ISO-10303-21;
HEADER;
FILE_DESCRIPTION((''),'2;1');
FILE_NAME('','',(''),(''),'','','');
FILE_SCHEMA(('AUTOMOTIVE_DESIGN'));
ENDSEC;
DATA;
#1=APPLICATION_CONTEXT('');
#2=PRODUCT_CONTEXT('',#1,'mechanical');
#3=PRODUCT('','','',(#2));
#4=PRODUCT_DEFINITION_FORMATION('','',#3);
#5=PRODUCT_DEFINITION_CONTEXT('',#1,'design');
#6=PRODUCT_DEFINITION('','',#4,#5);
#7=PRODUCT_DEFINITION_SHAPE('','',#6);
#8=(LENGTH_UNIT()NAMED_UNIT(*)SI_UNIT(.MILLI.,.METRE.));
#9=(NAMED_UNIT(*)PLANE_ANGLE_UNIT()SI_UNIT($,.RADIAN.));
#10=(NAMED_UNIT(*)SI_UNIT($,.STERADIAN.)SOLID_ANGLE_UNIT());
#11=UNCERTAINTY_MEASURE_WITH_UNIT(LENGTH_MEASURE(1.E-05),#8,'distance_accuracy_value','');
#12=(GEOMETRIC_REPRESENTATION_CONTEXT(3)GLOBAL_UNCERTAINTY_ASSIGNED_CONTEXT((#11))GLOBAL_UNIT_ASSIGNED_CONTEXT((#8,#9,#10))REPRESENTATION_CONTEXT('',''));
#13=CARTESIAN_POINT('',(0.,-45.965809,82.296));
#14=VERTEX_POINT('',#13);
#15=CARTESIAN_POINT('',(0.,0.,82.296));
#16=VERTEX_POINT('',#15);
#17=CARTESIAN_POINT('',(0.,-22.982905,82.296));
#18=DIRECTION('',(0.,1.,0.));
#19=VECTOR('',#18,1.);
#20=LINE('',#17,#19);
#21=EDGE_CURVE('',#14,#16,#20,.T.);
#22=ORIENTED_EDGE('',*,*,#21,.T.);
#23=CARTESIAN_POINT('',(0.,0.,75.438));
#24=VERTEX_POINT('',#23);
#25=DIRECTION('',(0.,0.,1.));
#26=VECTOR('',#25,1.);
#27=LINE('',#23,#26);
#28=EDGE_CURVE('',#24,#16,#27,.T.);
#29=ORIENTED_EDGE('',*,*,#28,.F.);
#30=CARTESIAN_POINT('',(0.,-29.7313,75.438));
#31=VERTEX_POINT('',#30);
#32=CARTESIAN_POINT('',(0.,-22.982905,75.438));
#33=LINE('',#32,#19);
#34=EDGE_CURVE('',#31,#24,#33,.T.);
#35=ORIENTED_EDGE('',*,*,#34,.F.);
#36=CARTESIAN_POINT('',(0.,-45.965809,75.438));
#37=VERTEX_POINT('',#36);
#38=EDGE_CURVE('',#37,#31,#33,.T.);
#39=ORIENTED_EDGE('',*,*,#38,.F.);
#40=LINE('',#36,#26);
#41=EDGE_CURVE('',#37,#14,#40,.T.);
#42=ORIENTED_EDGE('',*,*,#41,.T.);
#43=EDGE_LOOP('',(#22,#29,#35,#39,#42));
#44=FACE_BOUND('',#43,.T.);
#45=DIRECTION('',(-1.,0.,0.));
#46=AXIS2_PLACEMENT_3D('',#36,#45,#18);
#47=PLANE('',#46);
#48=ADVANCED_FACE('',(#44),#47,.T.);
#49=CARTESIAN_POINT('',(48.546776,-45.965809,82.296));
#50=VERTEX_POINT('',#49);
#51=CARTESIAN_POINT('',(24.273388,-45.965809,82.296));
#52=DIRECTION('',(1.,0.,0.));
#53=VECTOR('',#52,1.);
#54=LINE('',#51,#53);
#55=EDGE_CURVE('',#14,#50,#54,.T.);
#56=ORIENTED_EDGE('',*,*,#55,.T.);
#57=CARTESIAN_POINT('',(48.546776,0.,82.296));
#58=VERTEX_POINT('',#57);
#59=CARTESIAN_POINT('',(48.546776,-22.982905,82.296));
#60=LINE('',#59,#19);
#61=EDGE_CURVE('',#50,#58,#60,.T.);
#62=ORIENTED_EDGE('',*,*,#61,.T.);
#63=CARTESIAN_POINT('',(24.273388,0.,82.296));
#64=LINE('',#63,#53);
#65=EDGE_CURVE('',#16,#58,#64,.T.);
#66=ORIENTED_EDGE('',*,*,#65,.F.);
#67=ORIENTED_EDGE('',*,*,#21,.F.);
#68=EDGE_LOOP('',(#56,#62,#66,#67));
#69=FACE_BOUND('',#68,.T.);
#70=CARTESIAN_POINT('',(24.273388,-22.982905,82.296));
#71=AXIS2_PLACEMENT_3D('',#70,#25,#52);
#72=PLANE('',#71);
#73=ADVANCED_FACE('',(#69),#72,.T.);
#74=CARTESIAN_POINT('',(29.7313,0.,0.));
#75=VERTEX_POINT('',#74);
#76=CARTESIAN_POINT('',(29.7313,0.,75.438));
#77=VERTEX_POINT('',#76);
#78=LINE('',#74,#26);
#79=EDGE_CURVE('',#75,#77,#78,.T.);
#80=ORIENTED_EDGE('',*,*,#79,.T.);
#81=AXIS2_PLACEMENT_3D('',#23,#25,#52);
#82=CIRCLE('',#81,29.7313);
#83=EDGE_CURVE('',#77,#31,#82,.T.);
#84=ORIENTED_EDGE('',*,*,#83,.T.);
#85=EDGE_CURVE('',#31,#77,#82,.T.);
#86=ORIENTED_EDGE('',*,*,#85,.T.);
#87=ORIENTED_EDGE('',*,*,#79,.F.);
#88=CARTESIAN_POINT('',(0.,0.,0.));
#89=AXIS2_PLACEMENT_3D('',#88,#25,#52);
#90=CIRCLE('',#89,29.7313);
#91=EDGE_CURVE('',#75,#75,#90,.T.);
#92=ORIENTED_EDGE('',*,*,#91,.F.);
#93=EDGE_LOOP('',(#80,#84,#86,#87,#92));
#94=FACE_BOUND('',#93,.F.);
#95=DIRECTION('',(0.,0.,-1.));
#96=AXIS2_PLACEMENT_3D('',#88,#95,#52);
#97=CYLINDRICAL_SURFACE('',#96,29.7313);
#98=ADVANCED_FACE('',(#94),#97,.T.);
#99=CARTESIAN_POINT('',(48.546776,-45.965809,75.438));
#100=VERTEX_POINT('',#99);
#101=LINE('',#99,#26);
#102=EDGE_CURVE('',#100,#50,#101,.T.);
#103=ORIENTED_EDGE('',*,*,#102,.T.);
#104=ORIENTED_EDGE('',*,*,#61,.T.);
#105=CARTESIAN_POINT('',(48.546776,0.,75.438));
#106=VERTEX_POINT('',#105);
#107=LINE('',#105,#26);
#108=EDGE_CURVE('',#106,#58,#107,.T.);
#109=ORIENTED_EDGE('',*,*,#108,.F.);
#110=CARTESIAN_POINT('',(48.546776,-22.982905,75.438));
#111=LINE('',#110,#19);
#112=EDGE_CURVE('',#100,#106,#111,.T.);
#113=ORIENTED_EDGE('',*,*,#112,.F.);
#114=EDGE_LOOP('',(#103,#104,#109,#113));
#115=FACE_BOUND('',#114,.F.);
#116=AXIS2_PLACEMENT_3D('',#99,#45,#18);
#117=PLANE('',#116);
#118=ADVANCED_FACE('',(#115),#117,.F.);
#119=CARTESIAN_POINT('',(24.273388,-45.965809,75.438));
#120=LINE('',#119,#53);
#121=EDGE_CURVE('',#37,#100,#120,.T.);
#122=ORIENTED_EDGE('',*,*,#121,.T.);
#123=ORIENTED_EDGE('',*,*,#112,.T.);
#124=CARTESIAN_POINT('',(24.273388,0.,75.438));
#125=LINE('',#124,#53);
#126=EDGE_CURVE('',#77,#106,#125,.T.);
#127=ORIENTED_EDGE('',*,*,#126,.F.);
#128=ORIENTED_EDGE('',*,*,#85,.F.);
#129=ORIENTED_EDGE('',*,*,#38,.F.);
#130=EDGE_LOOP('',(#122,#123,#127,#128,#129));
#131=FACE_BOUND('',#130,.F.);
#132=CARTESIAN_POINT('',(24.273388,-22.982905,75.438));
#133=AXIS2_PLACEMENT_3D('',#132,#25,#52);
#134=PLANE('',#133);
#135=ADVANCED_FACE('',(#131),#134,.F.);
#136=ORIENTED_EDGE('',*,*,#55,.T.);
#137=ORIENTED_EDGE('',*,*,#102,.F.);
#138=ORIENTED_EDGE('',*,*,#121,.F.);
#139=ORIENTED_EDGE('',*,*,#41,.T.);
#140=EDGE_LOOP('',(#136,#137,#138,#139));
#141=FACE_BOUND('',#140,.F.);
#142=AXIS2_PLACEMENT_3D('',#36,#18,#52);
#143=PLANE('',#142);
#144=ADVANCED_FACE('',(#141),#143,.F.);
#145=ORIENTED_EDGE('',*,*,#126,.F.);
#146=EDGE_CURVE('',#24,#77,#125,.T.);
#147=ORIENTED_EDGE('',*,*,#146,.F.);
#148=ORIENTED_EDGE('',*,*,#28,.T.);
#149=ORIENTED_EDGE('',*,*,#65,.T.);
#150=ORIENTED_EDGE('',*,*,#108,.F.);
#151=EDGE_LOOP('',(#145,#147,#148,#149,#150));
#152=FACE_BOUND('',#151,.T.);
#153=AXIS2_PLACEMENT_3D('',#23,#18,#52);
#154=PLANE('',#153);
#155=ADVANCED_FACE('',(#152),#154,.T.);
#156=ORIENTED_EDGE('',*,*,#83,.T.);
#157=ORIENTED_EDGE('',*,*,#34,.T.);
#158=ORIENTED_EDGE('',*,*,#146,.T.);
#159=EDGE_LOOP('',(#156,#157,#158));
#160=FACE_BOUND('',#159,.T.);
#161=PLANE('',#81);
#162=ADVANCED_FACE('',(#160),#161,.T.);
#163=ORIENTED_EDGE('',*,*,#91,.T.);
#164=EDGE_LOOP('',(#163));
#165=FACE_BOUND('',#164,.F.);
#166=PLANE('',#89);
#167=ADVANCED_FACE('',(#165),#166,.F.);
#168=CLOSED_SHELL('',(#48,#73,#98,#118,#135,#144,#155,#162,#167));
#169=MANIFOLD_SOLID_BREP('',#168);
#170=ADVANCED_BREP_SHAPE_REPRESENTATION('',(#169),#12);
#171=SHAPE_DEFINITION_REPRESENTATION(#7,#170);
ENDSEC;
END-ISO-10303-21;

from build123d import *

# Parameters (mm, degrees)
F0_R     = 29.7313
F1_DEPTH = 75.438
F2_W     = 48.546776
F2_H     = 45.965809
F3_DEPTH = 6.858


with BuildPart() as f1:
    # F0 (on Top) → F1 (new body)
    with BuildSketch(Plane.XY):
        Circle(F0_R)
    extrude(amount=F1_DEPTH)

    # F2 (on face) → F3 (join)
    with BuildSketch(Plane.XY.offset(75.438)):
        with Locations((24.273388, -22.982905)):
            Rectangle(F2_W, F2_H)
    extrude(amount=F3_DEPTH)


solid = f1.part
